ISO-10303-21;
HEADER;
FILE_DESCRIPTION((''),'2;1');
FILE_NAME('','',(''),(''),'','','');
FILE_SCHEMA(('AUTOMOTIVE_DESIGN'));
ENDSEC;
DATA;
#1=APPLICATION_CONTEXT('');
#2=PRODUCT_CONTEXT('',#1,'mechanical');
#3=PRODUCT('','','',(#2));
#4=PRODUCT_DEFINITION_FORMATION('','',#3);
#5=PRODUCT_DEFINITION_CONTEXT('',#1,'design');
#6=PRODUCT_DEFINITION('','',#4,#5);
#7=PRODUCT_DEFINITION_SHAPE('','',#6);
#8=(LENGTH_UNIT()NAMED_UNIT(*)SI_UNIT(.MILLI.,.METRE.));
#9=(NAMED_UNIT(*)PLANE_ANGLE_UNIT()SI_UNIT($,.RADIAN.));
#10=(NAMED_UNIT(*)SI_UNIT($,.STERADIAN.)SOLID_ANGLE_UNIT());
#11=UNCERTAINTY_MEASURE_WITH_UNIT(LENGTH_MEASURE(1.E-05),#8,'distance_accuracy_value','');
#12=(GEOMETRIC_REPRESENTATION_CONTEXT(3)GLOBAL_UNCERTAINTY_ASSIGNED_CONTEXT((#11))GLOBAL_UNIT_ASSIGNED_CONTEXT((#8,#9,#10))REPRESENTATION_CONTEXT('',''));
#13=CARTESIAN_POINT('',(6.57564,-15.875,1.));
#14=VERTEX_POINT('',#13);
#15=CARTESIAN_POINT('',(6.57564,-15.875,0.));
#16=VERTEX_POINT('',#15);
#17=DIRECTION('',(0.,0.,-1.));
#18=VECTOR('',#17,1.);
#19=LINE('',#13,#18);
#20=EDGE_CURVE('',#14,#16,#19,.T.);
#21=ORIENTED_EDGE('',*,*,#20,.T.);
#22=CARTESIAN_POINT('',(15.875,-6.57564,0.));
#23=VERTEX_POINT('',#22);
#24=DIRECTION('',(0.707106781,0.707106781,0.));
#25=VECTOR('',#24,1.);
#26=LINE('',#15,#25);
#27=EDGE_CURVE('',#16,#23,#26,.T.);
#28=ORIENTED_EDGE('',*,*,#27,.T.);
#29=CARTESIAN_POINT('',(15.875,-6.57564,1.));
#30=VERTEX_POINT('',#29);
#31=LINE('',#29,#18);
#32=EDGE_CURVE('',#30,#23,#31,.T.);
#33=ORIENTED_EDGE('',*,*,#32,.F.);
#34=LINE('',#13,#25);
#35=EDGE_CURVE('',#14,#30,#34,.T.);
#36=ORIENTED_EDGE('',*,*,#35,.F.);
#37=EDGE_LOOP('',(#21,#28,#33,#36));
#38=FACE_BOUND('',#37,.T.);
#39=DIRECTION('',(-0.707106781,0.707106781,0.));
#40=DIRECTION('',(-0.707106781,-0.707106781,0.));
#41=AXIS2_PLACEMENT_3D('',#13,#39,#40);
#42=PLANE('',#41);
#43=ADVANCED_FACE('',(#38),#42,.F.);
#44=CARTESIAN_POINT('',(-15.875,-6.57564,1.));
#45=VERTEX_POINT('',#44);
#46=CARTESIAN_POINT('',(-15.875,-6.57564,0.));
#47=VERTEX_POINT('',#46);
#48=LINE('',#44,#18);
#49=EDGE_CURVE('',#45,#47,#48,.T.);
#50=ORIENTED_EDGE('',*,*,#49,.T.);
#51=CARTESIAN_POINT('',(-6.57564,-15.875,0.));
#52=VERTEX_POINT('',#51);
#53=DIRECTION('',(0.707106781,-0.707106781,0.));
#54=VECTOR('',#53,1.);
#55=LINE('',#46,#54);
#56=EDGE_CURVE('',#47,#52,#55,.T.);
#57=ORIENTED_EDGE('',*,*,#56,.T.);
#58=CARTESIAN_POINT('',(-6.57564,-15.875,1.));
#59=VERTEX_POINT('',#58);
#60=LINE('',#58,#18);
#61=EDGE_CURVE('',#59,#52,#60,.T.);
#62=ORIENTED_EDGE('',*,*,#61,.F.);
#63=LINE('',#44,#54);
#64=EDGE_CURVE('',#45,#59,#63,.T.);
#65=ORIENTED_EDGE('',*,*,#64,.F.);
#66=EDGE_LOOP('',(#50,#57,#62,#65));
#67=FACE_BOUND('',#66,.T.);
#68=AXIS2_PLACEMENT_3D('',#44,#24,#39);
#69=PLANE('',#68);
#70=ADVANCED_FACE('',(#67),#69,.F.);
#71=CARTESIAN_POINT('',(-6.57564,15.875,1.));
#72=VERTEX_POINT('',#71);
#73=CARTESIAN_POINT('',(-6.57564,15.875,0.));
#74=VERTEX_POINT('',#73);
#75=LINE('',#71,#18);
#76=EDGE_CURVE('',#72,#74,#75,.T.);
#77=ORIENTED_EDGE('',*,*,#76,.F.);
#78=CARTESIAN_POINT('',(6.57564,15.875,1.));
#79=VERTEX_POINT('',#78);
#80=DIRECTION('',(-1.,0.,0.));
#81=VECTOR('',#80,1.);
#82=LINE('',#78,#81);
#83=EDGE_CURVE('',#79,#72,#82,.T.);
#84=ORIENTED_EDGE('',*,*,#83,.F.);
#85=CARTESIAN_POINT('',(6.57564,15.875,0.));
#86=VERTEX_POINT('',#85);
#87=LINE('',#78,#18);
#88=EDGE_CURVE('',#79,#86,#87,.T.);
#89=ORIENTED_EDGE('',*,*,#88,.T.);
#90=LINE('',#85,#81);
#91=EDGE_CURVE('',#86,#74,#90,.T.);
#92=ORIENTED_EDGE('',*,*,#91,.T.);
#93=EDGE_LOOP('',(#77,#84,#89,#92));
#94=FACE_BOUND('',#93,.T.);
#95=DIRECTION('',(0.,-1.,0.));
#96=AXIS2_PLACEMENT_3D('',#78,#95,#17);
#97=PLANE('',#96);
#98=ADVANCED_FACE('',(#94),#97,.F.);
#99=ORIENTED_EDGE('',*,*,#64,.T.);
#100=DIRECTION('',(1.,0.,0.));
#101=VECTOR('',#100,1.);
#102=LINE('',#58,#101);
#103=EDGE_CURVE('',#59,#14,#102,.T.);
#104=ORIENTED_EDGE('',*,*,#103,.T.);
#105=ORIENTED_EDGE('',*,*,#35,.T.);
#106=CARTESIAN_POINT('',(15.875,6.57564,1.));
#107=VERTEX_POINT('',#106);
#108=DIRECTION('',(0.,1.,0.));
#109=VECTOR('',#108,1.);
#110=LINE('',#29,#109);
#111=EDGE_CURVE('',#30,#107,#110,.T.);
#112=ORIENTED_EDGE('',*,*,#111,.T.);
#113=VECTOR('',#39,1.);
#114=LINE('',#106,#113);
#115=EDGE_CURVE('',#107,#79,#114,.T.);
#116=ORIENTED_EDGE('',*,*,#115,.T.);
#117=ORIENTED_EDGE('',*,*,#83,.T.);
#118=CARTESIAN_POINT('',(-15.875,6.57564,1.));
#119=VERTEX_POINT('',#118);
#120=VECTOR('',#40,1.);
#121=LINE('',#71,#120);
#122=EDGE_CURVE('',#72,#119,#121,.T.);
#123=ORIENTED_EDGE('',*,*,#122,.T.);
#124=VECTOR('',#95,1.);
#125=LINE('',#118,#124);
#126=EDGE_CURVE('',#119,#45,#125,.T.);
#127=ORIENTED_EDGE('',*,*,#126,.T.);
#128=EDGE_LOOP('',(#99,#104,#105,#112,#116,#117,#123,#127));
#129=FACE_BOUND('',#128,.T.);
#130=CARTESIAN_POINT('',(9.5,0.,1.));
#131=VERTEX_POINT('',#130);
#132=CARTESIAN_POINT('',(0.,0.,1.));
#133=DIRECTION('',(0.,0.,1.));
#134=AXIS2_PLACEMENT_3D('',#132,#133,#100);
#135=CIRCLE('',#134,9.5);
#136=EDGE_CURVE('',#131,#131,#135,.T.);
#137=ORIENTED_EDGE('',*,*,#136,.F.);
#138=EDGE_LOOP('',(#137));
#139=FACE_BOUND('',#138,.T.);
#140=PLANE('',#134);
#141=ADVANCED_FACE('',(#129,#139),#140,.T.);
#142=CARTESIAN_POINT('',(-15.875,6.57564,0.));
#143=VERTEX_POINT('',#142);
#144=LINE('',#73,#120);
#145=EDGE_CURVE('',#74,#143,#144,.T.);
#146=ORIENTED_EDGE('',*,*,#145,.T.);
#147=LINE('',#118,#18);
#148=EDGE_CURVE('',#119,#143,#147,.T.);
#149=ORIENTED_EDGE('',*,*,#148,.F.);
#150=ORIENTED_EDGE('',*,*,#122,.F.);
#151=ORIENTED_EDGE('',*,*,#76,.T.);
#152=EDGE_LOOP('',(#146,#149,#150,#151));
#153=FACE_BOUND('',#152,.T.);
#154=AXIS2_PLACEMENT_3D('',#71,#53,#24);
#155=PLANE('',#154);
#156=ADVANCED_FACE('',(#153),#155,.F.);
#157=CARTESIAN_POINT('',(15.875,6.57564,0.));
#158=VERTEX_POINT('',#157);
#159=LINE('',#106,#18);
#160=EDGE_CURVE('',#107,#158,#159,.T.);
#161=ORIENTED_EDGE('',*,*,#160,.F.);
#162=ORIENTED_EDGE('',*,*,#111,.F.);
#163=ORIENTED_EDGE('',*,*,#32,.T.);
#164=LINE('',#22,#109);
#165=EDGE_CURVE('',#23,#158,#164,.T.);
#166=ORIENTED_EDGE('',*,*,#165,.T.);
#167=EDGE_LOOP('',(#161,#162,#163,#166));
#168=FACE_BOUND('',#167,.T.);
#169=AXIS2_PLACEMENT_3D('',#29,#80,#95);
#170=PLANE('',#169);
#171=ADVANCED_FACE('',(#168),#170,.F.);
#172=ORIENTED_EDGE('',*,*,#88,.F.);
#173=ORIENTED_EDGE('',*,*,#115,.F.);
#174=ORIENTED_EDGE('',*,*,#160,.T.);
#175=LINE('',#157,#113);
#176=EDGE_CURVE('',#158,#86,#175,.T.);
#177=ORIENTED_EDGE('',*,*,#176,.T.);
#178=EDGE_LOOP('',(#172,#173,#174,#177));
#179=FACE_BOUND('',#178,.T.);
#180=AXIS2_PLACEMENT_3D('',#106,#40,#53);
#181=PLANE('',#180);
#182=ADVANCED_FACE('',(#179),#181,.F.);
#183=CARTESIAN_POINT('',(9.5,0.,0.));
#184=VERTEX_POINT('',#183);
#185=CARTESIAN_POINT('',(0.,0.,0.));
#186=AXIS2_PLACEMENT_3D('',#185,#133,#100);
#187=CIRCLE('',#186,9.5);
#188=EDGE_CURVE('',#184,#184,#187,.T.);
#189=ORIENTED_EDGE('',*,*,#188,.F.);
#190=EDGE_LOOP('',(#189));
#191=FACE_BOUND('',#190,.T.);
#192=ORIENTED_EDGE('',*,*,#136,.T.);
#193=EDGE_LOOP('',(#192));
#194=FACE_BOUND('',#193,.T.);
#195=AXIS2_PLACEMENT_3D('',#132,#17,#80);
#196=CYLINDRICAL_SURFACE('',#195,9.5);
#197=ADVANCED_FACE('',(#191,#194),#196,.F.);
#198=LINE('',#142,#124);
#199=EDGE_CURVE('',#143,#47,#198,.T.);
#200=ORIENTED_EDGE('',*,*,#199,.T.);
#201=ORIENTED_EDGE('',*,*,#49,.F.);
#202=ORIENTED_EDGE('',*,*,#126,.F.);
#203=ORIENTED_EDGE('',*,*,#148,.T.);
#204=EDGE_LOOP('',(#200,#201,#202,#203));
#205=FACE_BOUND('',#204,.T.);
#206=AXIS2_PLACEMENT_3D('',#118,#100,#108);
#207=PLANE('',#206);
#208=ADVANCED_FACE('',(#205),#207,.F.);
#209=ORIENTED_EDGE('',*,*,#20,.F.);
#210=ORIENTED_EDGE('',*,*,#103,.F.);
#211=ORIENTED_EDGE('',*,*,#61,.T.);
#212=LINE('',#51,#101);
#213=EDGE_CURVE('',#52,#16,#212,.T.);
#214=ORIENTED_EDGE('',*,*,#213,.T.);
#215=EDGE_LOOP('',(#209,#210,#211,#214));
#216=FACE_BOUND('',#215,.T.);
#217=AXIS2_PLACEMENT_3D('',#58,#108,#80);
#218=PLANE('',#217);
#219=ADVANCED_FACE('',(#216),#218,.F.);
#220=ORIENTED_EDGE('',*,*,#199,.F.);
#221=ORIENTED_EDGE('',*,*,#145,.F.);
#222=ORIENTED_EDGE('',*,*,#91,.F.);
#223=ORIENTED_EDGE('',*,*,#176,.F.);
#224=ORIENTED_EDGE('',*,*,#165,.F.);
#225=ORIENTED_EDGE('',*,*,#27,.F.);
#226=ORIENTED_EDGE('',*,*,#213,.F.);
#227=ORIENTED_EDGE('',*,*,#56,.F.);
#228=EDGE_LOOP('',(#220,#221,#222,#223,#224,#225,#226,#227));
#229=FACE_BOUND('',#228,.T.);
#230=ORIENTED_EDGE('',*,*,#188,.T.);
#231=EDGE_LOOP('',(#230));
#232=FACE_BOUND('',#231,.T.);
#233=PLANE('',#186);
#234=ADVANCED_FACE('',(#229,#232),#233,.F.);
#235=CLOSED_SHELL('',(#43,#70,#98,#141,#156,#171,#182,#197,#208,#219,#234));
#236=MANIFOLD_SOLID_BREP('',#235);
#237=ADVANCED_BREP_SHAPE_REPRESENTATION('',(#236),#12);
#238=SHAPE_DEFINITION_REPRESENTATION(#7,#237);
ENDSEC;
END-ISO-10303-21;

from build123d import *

# Parameters (mm, degrees)
SKETCH1_R           = 9.5
BOSS_EXTRUDE1_DEPTH = 1


with BuildPart() as part:
    # Sketch1 → Boss-Extrude1 (new body)
    with BuildSketch(Plane.XY):
        Polygon((6.575640303, 15.875), (-6.575640303, 15.875), (-15.875, 6.575640303), (-15.875, -6.575640303), (-6.575640303, -15.875), (6.575640303, -15.875), (15.875, -6.575640303), (15.875, 6.575640303), align=None)
        Circle(SKETCH1_R, mode=Mode.SUBTRACT)
    extrude(amount=BOSS_EXTRUDE1_DEPTH)


solid = part.part
